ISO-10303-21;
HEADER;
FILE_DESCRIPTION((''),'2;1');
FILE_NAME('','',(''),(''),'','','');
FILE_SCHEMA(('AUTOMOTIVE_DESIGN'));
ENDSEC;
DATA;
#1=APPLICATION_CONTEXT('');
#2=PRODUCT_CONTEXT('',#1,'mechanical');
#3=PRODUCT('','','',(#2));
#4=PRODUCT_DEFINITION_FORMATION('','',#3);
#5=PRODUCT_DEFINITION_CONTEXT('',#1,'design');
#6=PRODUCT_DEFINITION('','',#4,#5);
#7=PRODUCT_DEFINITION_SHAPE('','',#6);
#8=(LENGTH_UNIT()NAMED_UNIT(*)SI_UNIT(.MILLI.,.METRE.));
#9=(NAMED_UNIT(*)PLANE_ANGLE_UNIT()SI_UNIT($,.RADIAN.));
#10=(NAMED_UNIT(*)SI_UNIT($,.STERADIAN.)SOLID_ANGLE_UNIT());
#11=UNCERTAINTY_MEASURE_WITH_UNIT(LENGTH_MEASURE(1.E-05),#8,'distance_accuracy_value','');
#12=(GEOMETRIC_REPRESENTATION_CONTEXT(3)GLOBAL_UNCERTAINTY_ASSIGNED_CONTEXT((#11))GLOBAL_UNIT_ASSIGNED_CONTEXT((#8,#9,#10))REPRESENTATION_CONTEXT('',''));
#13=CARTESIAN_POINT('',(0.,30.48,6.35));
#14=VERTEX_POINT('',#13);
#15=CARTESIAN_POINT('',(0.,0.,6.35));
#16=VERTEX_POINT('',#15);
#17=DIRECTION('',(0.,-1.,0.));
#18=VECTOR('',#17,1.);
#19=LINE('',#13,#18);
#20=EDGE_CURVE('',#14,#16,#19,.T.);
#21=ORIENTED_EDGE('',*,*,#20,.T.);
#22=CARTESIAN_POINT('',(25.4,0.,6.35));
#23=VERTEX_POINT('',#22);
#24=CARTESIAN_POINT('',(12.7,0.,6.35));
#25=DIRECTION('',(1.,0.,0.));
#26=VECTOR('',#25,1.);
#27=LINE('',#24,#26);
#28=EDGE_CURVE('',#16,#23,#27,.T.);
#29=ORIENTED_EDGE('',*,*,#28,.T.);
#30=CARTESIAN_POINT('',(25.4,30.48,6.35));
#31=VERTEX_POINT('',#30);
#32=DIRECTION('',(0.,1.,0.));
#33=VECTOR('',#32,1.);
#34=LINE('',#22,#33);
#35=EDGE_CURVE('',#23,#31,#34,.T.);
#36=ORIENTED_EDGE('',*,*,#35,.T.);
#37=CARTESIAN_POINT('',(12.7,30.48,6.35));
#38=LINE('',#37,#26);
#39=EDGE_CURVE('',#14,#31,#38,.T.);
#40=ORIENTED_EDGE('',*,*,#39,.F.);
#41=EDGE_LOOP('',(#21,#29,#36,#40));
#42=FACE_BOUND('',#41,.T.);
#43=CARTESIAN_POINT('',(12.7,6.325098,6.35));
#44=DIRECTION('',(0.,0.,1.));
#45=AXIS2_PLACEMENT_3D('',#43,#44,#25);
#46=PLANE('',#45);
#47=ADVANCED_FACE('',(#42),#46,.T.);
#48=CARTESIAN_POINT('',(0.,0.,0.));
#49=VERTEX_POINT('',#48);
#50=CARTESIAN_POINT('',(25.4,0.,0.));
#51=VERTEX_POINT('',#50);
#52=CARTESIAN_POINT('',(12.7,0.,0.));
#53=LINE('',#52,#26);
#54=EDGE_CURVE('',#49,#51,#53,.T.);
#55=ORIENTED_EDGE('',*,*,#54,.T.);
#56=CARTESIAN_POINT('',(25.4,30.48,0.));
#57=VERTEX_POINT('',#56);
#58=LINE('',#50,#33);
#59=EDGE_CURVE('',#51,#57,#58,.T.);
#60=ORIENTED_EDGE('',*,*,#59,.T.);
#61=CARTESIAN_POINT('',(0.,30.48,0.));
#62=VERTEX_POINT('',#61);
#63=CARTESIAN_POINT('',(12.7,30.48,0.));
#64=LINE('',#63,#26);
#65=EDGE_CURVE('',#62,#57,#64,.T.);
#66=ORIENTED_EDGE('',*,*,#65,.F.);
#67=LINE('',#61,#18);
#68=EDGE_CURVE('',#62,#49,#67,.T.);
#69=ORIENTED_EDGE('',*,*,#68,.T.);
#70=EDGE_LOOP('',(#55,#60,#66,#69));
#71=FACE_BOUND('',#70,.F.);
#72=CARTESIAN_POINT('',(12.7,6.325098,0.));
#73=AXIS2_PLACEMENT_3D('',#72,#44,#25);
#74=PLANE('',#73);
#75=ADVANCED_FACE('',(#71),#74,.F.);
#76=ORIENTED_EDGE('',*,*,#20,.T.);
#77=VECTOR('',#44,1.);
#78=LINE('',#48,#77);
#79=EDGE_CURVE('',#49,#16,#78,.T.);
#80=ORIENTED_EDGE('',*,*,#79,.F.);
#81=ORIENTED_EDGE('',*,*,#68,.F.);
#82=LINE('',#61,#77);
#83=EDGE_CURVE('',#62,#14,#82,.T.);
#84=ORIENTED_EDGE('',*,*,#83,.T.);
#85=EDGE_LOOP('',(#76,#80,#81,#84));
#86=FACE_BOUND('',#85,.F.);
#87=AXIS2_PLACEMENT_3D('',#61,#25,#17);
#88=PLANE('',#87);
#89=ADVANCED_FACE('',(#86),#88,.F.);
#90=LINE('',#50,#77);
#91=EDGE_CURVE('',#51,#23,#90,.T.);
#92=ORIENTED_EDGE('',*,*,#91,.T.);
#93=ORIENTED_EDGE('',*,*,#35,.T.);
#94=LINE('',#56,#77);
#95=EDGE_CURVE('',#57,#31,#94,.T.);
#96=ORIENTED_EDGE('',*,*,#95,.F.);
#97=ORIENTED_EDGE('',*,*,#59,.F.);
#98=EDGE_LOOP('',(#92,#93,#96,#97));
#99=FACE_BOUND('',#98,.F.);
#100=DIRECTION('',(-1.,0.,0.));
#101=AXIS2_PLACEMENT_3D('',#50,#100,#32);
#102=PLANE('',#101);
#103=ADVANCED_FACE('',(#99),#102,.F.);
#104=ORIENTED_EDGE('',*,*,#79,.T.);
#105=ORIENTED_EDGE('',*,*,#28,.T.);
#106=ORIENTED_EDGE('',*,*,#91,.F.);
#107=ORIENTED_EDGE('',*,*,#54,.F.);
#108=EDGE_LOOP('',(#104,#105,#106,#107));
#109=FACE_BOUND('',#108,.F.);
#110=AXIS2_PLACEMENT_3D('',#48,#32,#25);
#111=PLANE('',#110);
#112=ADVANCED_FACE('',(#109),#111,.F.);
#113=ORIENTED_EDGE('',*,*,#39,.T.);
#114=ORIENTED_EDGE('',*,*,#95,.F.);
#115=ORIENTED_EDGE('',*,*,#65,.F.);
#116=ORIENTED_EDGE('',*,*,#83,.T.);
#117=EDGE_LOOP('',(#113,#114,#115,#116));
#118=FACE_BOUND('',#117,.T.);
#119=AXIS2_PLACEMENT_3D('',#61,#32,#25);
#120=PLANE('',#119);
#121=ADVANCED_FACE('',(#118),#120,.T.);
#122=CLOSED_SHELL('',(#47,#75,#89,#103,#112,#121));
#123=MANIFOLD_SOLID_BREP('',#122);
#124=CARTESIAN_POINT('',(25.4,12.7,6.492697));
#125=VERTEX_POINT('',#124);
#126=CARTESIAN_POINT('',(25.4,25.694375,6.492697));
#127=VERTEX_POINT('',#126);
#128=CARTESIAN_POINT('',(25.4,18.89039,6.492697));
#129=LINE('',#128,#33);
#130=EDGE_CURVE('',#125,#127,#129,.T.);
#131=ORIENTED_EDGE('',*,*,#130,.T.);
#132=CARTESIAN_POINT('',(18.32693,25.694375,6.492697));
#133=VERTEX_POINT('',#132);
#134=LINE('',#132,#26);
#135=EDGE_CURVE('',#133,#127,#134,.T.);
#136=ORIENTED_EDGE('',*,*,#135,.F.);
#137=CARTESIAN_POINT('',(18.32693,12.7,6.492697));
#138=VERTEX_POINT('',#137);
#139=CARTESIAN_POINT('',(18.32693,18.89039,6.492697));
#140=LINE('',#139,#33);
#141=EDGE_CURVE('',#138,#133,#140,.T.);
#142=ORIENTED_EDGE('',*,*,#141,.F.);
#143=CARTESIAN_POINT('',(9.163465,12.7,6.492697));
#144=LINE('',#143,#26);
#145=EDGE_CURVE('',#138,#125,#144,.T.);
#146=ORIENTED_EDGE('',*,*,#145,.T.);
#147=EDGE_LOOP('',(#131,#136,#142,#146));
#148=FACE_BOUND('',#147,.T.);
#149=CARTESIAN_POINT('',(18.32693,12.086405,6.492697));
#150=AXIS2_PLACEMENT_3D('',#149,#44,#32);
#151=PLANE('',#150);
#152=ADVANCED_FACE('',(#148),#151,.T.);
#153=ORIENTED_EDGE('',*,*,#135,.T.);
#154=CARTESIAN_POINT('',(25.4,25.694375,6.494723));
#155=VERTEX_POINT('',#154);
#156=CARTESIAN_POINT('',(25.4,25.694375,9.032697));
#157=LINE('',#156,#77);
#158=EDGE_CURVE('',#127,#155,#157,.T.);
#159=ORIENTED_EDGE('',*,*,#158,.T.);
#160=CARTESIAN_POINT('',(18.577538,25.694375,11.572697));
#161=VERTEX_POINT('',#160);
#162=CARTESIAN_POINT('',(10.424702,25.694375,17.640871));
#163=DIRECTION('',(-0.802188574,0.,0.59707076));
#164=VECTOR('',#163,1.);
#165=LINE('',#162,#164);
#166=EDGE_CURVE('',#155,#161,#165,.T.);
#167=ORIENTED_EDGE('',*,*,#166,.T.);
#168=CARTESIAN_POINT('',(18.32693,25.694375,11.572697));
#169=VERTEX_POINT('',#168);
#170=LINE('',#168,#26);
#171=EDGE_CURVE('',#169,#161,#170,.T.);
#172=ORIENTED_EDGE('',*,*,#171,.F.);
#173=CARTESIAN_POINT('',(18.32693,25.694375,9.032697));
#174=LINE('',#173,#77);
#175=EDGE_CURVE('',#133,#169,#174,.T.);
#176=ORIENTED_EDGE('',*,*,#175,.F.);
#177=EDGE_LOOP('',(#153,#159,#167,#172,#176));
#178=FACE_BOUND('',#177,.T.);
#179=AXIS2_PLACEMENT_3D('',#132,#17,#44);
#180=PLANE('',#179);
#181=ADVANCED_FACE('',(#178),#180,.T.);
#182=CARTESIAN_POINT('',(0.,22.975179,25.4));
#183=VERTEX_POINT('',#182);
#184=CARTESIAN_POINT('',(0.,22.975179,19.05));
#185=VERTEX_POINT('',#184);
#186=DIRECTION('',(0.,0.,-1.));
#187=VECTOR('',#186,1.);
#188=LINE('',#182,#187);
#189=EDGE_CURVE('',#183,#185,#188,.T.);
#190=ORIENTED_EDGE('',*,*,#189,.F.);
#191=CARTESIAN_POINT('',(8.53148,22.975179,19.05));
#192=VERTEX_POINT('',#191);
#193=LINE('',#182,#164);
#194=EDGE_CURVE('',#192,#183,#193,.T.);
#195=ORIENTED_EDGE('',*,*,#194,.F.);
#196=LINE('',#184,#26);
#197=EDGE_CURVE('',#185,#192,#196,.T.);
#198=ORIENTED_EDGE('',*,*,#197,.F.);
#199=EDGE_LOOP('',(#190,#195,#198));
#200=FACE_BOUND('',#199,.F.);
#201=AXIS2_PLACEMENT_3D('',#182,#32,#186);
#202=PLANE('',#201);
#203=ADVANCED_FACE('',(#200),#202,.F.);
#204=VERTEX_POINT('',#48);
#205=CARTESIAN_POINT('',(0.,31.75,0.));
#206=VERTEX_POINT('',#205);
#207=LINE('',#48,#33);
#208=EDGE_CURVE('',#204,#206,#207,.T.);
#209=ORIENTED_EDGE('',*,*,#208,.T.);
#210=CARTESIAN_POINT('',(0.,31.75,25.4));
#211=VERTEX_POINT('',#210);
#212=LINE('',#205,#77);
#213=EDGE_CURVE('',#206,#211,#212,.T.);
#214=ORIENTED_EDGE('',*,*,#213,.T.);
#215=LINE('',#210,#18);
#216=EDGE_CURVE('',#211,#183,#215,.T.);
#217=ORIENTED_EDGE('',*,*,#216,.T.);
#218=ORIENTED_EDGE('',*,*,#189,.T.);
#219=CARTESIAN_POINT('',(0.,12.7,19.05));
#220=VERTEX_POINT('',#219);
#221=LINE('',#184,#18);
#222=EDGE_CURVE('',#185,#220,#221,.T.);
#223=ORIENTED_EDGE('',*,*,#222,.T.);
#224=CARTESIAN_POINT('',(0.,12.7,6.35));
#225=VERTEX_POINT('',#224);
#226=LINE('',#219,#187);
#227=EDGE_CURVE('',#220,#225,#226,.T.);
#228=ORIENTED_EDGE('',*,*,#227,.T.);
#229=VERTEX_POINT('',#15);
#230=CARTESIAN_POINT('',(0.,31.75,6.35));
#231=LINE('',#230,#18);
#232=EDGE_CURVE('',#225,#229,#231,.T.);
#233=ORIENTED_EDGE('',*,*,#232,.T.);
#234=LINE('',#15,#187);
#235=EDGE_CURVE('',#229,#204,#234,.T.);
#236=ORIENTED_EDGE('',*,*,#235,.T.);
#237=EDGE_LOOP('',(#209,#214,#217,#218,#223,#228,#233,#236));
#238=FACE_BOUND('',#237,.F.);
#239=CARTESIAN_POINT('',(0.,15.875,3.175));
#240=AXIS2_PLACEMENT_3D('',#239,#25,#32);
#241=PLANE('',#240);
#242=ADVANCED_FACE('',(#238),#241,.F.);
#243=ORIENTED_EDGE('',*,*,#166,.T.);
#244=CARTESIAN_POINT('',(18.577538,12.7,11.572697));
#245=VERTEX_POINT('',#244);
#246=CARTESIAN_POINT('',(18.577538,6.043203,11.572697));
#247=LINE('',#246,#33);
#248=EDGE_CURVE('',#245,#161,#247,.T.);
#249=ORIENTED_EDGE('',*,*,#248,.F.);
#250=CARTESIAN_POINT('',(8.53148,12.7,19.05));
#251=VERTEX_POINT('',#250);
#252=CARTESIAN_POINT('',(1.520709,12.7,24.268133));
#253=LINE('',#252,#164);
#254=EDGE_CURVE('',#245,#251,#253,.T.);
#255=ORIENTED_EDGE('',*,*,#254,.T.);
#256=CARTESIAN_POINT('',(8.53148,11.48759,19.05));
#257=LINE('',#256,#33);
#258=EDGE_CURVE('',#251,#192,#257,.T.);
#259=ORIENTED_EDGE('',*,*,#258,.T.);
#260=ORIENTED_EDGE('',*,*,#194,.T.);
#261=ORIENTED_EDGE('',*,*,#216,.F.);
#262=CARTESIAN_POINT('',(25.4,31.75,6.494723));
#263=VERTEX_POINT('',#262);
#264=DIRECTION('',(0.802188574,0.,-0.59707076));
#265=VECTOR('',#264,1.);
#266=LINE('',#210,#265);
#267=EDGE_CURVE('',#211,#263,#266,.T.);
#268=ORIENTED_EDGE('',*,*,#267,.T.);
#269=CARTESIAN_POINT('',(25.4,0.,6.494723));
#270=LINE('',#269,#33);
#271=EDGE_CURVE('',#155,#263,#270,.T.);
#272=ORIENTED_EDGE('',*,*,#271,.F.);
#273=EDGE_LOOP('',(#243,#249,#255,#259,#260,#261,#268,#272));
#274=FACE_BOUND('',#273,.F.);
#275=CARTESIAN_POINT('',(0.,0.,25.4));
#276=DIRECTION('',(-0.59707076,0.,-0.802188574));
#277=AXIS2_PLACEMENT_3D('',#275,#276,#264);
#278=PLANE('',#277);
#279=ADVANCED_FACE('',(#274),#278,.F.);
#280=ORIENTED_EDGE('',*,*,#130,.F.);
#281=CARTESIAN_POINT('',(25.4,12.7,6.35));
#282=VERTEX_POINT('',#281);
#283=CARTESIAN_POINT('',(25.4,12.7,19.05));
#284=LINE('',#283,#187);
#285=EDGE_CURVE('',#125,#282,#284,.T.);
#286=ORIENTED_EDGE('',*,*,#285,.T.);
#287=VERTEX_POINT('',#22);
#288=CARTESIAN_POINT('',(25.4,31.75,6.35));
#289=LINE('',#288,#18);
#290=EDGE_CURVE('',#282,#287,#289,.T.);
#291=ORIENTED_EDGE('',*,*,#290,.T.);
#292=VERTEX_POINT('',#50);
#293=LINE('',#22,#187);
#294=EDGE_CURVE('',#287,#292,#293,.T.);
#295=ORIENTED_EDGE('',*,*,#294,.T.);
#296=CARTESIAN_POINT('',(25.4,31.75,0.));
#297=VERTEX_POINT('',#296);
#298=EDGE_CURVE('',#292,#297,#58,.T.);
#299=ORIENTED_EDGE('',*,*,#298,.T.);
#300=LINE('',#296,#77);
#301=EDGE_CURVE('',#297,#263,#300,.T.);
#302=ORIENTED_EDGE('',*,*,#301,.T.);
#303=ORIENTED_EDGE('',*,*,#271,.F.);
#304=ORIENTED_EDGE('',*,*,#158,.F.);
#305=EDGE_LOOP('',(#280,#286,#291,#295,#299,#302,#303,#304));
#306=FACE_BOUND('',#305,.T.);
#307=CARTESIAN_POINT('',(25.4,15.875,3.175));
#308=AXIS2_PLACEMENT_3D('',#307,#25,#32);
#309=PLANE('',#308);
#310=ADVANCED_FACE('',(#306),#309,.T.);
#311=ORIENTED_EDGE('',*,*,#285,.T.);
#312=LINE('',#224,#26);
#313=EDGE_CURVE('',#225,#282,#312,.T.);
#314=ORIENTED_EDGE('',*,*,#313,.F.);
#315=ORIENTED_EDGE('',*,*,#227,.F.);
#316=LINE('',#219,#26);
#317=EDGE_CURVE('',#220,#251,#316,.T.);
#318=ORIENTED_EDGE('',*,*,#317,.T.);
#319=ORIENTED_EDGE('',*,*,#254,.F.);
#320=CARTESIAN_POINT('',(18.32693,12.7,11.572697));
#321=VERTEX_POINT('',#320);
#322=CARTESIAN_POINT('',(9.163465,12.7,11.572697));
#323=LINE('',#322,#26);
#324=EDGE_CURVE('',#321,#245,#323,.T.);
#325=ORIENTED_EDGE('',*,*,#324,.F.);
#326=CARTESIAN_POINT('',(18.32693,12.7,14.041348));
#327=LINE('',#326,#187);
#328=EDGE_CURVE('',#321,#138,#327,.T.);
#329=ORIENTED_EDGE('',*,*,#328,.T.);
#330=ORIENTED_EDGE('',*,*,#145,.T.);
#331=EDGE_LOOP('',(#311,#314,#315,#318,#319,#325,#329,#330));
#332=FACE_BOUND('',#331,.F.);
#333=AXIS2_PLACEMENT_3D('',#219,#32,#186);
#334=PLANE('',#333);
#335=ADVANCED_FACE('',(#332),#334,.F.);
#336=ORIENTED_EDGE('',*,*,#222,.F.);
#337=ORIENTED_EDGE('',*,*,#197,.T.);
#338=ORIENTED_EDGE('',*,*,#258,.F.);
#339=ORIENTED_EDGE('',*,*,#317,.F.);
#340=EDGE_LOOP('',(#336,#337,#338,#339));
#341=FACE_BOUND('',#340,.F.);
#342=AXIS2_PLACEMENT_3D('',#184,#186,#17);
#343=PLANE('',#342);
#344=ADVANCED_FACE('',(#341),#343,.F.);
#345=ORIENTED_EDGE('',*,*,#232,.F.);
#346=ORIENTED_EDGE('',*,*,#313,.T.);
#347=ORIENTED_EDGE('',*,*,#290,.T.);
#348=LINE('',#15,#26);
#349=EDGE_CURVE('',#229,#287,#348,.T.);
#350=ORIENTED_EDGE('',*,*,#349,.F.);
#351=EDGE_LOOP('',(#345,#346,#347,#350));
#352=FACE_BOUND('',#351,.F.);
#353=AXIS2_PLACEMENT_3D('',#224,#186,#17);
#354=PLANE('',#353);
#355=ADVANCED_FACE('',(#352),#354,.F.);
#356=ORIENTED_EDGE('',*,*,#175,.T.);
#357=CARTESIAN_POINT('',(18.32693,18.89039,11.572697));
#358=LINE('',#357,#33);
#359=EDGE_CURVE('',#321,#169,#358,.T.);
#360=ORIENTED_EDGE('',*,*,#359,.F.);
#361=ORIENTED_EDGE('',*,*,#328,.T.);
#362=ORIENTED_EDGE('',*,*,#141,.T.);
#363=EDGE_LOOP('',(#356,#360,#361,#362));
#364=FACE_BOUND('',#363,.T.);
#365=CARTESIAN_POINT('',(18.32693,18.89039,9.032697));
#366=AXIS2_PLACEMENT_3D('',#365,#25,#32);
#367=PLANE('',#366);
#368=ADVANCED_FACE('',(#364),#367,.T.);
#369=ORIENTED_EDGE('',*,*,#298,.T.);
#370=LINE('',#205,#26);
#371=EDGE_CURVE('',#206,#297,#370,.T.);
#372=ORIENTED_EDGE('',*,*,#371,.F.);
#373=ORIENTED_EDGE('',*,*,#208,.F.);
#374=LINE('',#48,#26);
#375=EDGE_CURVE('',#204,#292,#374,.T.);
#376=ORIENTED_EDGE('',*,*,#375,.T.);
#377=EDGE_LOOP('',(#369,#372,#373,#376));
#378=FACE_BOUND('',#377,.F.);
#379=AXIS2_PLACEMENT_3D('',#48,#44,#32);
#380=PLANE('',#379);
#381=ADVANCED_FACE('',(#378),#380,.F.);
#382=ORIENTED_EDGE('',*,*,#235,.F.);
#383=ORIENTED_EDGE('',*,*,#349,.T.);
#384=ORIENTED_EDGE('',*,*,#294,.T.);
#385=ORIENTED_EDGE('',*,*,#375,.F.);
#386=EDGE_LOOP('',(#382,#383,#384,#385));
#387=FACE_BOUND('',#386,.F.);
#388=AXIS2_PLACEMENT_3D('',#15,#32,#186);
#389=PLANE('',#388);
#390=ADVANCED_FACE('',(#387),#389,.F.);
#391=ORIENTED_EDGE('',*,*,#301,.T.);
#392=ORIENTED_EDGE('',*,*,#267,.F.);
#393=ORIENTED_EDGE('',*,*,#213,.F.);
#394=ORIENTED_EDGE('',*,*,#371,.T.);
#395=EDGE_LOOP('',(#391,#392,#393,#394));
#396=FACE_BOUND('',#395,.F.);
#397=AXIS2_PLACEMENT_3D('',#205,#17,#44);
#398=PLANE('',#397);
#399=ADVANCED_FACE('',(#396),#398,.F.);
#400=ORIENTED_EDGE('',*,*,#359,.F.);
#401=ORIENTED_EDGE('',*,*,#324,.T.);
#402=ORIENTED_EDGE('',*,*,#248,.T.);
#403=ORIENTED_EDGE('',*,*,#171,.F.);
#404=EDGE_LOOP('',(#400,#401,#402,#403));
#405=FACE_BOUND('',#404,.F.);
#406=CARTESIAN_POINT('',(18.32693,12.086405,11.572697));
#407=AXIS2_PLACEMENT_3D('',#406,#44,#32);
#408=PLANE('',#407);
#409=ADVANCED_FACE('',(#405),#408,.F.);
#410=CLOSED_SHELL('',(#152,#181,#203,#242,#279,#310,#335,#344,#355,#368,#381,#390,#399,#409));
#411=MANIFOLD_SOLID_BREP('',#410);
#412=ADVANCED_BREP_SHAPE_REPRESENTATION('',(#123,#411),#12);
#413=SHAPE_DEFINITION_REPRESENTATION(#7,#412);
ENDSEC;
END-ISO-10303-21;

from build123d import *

# Parameters (mm, degrees)
F1_W     = 12.7
F1_H     = 6.35
F2_DEPTH = 25.4
F4_DEPTH = 31.75
F5_W     = 25.4
F5_H     = 12.6501958672
F5_H_2   = 9.9607838403
F5_H_3   = 7.8690202925
F6_DEPTH = 6.35
F8_START = 18.32693
F7_W     = 13.6079691021
F7_H     = 5.08
F8_DEPTH = 7.07307


with BuildPart() as f2:
    # F1 (on Right) → F2 (new body)
    with BuildSketch(Plane.YZ):
        Polygon((0, 6.35), (0, 0), (31.75, 0), (31.75, 6.35), (25.4, 6.35), (12.7, 6.35), align=None)
        Polygon((25.4, 6.35), (31.75, 6.35), (31.75, 25.4), (22.9751792536, 25.4), (22.9751792536, 19.05), (12.7, 19.05), (12.7, 12.7), (25.4, 12.7), align=None)
        with Locations((19.05, 9.525)):
            Rectangle(F1_W, F1_H)
    extrude(amount=F2_DEPTH)

    # F3 (on Front) → F4 (cut)
    with BuildSketch(Plane.XZ):
        Polygon((25.4, 25.4), (0, 25.4), (25.4, 6.4947228604), align=None)
    extrude(amount=-F4_DEPTH, mode=Mode.SUBTRACT)

    # F7 (on Right) → F8 (cut)
    with BuildSketch(Plane.YZ.offset(F8_START)):
        with Locations((18.8903899699, 9.0326967025)):
            Rectangle(F7_W, F7_H)
    extrude(amount=F8_DEPTH, mode=Mode.SUBTRACT)


with BuildPart() as f6:
    # F5 (on Top) → F6 (new body)
    with BuildSketch(Plane.XY):
        with Locations((12.7, 6.3250979336)):
            Rectangle(F5_W, F5_H)
        with Locations((12.7, 17.6305877873)):
            Rectangle(F5_W, F5_H_2)
        with Locations((12.7, 26.5454898537)):
            Rectangle(F5_W, F5_H_3)
    extrude(amount=F6_DEPTH)


solid = Compound([f2.part, f6.part])
